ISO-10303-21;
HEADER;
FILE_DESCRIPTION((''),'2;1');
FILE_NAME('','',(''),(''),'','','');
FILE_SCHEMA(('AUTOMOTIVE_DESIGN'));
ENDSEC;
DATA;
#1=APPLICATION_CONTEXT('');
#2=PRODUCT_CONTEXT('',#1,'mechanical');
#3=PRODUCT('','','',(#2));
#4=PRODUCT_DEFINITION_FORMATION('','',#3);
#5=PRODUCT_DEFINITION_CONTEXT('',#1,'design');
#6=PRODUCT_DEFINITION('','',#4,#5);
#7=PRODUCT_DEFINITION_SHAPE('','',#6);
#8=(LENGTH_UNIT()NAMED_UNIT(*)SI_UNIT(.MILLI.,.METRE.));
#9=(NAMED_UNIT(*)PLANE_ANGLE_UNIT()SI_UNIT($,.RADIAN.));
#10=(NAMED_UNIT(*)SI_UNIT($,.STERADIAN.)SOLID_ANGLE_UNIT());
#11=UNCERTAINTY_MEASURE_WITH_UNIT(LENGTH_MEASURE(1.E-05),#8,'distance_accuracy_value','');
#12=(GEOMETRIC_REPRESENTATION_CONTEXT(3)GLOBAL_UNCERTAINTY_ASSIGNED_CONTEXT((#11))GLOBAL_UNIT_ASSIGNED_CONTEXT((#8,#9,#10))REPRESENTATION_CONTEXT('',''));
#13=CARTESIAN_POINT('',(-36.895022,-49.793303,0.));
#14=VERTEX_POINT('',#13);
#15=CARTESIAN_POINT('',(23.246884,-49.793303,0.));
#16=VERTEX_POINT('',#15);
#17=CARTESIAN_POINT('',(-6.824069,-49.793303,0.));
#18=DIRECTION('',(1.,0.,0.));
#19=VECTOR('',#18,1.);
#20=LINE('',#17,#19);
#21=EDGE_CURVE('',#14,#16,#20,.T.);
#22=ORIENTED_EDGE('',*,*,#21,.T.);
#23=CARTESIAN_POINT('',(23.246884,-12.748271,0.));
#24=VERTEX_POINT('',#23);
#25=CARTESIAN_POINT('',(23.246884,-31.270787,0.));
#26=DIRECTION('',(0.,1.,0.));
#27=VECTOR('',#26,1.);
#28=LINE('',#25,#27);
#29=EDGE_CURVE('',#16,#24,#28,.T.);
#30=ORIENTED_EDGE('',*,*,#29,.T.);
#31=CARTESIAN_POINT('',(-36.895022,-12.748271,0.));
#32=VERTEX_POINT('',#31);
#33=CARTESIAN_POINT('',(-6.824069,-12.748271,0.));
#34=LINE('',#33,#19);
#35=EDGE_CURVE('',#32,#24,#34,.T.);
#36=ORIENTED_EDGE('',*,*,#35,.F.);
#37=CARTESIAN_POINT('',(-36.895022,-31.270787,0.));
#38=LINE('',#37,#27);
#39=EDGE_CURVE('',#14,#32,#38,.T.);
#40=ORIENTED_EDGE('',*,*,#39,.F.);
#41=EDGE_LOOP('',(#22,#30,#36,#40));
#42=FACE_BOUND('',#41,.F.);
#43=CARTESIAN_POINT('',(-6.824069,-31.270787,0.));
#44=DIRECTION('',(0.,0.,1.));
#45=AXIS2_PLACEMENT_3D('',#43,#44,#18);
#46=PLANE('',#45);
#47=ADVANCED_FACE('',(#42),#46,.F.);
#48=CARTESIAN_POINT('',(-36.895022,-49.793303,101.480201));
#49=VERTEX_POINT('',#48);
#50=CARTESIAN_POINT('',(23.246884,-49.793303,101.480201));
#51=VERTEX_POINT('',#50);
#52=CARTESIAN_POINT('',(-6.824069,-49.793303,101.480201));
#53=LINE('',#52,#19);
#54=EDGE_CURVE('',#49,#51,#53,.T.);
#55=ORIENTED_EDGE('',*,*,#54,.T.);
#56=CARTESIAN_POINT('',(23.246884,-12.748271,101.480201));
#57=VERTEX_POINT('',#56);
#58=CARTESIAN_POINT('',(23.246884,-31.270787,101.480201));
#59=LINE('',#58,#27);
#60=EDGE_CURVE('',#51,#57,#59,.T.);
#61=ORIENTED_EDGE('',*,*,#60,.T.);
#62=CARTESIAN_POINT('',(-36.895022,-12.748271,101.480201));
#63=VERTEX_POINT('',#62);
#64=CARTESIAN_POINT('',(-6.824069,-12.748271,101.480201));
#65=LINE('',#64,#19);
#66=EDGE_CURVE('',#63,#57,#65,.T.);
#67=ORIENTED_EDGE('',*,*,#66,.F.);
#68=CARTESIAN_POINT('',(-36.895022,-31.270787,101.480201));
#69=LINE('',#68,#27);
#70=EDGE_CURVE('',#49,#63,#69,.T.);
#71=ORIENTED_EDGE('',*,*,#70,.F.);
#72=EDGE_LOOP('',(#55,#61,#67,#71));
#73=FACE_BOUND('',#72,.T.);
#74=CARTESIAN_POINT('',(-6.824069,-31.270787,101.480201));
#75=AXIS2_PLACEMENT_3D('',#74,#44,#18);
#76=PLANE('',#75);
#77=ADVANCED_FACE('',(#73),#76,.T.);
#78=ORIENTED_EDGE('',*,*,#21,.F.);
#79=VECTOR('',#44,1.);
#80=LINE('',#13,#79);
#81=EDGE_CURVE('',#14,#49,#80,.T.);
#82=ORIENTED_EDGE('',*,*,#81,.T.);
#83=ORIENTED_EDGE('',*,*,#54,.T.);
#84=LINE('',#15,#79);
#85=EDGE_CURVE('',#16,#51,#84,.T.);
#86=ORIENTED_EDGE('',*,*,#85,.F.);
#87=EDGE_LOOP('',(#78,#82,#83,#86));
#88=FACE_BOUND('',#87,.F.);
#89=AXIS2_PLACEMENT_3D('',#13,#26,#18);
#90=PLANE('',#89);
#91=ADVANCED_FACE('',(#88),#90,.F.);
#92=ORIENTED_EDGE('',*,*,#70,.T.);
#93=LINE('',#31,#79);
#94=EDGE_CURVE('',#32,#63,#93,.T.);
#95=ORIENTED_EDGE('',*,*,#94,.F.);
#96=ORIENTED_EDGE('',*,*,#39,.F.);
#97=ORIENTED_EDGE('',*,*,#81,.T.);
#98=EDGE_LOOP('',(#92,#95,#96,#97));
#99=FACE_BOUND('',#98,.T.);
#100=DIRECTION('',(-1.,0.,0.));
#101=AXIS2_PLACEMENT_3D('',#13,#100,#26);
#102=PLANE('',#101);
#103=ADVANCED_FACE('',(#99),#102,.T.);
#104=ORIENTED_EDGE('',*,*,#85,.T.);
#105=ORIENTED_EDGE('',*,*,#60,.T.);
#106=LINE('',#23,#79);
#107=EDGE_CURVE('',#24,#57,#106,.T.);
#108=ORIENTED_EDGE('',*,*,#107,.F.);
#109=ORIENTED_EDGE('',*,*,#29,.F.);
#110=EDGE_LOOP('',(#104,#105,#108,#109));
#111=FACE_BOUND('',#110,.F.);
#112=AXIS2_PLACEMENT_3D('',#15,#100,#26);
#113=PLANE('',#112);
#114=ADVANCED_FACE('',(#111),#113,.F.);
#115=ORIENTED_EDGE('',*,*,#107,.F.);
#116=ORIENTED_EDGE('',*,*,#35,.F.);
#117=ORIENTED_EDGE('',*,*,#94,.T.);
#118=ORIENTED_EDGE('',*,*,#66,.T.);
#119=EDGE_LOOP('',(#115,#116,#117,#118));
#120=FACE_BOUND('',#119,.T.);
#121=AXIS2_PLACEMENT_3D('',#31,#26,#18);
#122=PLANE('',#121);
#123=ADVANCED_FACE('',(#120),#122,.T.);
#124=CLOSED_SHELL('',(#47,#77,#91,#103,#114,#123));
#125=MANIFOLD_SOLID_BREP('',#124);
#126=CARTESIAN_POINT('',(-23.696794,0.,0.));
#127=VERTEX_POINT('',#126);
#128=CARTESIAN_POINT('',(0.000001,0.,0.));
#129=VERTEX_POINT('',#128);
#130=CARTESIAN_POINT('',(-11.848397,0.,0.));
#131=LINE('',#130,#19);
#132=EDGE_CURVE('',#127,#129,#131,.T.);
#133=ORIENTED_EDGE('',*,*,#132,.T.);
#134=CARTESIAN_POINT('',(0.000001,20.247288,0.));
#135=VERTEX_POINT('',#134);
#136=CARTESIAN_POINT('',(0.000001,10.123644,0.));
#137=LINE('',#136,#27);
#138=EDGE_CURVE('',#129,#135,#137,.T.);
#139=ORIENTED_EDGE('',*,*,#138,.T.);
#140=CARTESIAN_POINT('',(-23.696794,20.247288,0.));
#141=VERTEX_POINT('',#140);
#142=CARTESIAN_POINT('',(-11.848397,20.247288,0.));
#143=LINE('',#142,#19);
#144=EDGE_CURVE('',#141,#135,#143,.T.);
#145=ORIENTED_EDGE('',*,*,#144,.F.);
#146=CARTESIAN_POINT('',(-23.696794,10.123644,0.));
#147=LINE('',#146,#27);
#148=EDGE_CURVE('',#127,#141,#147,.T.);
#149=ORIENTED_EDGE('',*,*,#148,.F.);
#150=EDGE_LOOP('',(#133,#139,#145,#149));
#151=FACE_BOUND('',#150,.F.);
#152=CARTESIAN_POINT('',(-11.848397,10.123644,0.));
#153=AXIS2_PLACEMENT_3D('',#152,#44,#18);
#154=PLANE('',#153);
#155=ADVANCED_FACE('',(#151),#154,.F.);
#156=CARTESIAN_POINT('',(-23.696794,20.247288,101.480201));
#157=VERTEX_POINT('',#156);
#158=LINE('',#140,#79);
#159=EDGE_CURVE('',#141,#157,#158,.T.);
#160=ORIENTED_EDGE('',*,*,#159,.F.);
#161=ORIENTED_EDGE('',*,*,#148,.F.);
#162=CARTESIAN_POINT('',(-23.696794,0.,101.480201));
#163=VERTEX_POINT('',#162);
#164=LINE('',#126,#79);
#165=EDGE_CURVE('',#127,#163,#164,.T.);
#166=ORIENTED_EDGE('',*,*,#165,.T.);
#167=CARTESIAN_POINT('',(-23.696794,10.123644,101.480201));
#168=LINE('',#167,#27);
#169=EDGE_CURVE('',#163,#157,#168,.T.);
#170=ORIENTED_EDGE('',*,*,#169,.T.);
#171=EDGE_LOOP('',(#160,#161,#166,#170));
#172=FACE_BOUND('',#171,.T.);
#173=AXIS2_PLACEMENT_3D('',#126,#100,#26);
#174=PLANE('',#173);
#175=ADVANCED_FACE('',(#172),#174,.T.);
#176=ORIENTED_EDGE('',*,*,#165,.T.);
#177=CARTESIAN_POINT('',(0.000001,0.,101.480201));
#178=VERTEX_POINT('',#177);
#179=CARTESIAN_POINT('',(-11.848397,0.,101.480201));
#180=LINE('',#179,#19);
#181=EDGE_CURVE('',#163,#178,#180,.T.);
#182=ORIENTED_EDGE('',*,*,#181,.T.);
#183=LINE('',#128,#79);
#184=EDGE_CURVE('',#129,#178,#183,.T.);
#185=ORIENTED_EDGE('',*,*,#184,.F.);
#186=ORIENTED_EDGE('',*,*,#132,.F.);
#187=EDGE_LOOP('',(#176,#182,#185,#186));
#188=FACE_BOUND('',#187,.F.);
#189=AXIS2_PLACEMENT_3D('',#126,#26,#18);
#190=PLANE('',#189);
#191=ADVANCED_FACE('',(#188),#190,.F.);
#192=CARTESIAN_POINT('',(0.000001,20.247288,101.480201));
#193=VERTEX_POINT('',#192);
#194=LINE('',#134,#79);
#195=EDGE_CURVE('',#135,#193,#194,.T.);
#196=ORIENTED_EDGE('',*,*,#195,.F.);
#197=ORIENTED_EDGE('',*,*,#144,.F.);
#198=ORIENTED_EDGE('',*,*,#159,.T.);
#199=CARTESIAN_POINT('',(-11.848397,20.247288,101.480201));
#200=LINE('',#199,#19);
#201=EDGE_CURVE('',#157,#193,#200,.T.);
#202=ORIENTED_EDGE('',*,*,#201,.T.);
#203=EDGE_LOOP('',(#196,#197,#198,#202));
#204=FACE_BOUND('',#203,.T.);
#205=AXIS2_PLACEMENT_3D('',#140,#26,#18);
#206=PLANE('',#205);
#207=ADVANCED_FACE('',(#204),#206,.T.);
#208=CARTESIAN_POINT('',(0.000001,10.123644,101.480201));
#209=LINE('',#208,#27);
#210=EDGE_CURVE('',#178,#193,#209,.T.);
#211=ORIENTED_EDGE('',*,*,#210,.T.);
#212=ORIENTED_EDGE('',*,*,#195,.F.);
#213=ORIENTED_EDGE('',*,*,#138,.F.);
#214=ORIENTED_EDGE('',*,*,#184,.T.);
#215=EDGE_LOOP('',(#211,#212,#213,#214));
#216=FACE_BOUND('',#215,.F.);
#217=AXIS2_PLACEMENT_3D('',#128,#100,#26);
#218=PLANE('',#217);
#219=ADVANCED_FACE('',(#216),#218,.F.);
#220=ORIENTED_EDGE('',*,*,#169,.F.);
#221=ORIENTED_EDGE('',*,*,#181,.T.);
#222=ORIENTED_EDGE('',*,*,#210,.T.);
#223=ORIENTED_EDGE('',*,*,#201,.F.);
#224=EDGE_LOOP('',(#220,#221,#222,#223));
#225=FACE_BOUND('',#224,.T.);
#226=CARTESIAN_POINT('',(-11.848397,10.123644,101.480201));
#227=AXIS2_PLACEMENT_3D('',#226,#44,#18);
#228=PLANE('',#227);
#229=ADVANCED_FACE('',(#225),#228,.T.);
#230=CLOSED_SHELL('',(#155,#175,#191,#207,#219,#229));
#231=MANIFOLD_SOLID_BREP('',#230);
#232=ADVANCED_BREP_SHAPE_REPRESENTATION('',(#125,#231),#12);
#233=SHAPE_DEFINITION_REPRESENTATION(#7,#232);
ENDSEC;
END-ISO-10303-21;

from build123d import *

# Parameters (mm, degrees)
F0_W     = 60.141906
F0_H     = 37.045032
F0_W_2   = 23.696795
F0_H_2   = 20.247288
F1_DEPTH = 101.480201


with BuildPart() as f1:
    # F0 (on Top) → F1 (new body)
    with BuildSketch(Plane.XY):
        with Locations((-6.824069, -31.270787)):
            Rectangle(F0_W, F0_H)
        with Locations((-11.848397, 10.123644)):
            Rectangle(F0_W_2, F0_H_2)
    extrude(amount=F1_DEPTH)


solid = f1.part
